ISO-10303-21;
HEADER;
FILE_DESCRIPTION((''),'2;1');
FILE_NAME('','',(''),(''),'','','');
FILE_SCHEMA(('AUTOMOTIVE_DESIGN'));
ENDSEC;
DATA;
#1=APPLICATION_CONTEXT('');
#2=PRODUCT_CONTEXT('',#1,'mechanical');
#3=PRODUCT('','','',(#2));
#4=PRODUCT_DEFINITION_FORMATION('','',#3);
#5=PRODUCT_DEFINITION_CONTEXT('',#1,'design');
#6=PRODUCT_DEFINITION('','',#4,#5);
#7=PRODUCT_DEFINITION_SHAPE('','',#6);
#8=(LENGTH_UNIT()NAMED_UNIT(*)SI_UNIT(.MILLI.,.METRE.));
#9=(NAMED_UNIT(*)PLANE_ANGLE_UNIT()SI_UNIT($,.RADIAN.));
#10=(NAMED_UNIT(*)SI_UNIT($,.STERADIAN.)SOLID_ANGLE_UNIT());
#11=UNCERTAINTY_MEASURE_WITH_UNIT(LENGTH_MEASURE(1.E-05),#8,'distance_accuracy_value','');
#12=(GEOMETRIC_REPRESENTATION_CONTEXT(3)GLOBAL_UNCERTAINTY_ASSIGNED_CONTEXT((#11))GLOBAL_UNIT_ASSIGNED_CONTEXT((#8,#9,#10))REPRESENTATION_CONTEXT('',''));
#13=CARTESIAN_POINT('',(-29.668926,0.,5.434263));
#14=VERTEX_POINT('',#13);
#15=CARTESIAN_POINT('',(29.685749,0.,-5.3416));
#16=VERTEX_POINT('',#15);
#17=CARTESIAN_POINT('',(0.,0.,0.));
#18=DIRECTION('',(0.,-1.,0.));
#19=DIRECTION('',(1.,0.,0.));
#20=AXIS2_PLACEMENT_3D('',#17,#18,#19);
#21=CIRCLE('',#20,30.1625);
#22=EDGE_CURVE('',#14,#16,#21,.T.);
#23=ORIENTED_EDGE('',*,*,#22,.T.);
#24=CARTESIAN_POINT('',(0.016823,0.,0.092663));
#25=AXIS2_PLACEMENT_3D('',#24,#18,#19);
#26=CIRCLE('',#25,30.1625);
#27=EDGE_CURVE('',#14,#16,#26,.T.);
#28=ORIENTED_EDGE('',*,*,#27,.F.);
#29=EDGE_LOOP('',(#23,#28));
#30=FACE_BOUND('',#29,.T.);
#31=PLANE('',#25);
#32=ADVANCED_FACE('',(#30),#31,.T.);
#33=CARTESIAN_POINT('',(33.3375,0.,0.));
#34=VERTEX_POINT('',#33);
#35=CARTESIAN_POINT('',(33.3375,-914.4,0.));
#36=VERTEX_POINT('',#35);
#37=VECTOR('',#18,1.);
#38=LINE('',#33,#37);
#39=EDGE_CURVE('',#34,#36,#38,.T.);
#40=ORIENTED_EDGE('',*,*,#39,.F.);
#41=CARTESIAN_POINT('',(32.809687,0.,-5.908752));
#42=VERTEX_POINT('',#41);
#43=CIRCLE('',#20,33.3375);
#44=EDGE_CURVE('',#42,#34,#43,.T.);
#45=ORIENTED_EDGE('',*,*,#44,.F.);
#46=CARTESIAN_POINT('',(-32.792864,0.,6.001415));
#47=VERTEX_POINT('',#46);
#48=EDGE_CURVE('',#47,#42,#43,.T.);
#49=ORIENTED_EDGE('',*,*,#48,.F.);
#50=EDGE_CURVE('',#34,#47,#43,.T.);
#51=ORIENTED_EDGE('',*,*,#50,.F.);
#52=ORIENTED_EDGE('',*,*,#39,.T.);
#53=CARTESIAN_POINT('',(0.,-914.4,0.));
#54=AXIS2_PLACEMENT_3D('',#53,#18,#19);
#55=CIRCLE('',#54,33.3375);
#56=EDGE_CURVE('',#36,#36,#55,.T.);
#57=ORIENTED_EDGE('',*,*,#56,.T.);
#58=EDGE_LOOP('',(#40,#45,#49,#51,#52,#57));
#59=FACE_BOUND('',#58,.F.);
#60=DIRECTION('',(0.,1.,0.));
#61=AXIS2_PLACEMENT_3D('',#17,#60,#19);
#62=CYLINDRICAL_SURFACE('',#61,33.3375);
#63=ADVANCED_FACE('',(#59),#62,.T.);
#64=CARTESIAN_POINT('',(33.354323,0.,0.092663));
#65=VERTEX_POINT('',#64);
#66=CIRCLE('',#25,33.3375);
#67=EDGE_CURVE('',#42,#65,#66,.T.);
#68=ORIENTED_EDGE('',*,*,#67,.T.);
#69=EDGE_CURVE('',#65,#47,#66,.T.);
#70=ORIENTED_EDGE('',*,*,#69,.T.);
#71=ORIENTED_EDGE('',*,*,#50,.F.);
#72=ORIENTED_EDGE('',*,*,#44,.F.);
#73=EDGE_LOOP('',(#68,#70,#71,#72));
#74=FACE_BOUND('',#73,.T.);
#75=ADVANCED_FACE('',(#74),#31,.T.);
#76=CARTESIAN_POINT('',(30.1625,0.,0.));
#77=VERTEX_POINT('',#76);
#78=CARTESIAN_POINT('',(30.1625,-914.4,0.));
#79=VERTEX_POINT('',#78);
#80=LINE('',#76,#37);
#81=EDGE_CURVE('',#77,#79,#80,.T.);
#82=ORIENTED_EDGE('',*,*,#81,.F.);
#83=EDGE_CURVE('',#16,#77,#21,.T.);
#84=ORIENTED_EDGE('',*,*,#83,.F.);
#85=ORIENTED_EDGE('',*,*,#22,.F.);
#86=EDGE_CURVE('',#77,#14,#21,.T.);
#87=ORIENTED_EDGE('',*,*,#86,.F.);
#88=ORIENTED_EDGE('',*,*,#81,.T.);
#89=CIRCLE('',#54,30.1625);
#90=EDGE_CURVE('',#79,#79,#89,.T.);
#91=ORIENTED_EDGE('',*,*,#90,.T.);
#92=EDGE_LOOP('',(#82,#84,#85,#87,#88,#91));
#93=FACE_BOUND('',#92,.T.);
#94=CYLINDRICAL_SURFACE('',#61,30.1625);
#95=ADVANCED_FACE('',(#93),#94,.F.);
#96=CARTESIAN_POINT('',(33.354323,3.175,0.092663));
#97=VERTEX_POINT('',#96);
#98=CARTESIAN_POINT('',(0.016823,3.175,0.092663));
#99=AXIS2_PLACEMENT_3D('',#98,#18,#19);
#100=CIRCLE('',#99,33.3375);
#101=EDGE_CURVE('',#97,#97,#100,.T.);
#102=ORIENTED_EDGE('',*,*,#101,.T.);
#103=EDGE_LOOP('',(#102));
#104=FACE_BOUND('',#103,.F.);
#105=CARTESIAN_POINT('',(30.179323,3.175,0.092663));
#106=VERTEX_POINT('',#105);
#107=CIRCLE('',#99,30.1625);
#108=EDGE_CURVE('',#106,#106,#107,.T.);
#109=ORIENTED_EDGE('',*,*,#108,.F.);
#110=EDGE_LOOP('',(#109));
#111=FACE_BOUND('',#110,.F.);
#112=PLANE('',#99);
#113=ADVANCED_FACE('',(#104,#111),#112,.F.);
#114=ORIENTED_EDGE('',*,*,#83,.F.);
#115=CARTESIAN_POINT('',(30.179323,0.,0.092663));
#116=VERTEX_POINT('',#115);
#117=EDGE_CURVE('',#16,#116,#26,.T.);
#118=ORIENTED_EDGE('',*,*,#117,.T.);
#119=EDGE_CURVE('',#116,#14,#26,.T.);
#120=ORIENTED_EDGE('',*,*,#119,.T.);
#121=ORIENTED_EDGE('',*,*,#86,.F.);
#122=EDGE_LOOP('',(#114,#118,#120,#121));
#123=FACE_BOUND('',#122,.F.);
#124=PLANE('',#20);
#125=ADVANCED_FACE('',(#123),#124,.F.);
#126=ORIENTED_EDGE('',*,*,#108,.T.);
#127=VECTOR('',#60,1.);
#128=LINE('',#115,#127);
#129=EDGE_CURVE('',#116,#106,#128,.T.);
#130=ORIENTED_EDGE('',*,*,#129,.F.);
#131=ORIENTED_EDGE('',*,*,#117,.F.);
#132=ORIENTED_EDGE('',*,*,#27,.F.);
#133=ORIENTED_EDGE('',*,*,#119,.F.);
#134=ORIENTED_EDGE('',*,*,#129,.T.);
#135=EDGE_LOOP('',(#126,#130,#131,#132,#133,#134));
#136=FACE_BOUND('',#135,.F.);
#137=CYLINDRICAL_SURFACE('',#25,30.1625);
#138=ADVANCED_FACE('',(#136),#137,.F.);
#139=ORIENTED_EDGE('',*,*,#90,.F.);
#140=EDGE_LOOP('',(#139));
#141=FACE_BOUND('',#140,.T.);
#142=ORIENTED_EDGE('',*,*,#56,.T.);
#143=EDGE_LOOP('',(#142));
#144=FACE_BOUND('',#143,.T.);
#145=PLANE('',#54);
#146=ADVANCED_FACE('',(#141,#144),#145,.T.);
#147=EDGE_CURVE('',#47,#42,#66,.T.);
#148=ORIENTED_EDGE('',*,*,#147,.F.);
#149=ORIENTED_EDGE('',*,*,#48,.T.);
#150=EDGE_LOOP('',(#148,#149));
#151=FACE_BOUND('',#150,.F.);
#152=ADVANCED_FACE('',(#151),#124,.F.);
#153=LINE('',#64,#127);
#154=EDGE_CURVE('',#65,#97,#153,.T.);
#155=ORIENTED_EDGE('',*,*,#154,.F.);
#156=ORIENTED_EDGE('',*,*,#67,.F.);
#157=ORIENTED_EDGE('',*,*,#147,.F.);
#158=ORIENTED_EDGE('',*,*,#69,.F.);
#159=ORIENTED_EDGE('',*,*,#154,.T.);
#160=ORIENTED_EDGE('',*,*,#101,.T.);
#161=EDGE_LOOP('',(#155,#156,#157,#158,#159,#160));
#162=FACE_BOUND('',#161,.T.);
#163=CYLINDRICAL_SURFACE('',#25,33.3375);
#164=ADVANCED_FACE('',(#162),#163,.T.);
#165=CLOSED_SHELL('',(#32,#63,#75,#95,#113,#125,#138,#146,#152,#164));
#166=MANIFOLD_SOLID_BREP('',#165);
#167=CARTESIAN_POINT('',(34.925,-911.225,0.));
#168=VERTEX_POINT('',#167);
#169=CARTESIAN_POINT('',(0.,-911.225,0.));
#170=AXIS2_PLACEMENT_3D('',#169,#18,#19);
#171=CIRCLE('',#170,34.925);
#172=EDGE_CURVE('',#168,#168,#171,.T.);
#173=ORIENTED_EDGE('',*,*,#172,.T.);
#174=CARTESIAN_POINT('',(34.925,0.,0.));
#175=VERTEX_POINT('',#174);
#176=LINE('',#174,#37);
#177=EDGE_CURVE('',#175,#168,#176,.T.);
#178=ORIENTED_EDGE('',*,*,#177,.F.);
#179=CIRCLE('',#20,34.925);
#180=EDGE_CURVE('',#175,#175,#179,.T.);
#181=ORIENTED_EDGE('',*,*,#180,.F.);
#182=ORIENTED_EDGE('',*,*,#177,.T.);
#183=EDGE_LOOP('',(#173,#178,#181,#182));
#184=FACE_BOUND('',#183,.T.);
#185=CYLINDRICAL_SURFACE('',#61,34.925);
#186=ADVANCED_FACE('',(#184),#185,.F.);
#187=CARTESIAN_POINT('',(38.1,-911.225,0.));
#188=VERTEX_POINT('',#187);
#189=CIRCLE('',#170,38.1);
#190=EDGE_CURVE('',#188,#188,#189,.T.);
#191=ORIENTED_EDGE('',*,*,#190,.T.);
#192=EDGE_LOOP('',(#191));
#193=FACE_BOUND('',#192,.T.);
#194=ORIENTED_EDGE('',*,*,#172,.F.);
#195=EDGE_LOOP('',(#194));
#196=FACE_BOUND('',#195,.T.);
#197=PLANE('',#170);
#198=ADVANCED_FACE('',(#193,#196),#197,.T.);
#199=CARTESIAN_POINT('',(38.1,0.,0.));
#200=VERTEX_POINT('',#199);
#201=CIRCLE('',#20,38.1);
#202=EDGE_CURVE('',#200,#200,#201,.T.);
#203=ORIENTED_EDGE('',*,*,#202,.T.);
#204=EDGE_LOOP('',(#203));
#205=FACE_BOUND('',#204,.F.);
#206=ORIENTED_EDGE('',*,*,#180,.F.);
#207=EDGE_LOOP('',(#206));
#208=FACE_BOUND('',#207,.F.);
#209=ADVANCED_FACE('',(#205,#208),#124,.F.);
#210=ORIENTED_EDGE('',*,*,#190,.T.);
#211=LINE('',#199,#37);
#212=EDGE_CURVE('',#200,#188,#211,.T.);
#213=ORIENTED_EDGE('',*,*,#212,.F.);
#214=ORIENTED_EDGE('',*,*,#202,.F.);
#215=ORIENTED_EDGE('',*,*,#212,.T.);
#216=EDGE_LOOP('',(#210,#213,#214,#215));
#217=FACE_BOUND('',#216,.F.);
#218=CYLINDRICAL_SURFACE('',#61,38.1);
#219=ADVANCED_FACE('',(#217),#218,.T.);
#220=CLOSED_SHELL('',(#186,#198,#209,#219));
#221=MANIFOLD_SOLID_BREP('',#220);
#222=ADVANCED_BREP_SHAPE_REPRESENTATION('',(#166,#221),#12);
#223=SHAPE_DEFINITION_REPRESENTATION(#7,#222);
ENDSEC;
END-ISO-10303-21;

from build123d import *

# Parameters (mm, degrees)
F0_R     = 38.1
F0_R_2   = 34.925
F1_DEPTH = 911.225
F0_R_3   = 33.3375
F0_R_4   = 30.1625
F2_DEPTH = 914.4
F3_R     = 33.3375
F3_R_2   = 30.1625
F4_DEPTH = 3.175


with BuildPart() as f1:
    # F0 (on Front) → F1 (new body)
    with BuildSketch(Plane.XZ):
        Circle(F0_R)
        Circle(F0_R_2, mode=Mode.SUBTRACT)
    extrude(amount=F1_DEPTH)


with BuildPart() as f2:
    # F0 (on Front) → F2 (new body)
    with BuildSketch(Plane.XZ):
        Circle(F0_R_3)
        Circle(F0_R_4, mode=Mode.SUBTRACT)
    extrude(amount=F2_DEPTH)

    # F3 (on Front) → F4 (join)
    with BuildSketch(Plane.XZ):
        with Locations((0.016823, 0.092663)):
            Circle(F3_R)
        with Locations((0.016823, 0.092663)):
            Circle(F3_R_2, mode=Mode.SUBTRACT)
    extrude(amount=-F4_DEPTH)


solid = Compound([f1.part, f2.part])
